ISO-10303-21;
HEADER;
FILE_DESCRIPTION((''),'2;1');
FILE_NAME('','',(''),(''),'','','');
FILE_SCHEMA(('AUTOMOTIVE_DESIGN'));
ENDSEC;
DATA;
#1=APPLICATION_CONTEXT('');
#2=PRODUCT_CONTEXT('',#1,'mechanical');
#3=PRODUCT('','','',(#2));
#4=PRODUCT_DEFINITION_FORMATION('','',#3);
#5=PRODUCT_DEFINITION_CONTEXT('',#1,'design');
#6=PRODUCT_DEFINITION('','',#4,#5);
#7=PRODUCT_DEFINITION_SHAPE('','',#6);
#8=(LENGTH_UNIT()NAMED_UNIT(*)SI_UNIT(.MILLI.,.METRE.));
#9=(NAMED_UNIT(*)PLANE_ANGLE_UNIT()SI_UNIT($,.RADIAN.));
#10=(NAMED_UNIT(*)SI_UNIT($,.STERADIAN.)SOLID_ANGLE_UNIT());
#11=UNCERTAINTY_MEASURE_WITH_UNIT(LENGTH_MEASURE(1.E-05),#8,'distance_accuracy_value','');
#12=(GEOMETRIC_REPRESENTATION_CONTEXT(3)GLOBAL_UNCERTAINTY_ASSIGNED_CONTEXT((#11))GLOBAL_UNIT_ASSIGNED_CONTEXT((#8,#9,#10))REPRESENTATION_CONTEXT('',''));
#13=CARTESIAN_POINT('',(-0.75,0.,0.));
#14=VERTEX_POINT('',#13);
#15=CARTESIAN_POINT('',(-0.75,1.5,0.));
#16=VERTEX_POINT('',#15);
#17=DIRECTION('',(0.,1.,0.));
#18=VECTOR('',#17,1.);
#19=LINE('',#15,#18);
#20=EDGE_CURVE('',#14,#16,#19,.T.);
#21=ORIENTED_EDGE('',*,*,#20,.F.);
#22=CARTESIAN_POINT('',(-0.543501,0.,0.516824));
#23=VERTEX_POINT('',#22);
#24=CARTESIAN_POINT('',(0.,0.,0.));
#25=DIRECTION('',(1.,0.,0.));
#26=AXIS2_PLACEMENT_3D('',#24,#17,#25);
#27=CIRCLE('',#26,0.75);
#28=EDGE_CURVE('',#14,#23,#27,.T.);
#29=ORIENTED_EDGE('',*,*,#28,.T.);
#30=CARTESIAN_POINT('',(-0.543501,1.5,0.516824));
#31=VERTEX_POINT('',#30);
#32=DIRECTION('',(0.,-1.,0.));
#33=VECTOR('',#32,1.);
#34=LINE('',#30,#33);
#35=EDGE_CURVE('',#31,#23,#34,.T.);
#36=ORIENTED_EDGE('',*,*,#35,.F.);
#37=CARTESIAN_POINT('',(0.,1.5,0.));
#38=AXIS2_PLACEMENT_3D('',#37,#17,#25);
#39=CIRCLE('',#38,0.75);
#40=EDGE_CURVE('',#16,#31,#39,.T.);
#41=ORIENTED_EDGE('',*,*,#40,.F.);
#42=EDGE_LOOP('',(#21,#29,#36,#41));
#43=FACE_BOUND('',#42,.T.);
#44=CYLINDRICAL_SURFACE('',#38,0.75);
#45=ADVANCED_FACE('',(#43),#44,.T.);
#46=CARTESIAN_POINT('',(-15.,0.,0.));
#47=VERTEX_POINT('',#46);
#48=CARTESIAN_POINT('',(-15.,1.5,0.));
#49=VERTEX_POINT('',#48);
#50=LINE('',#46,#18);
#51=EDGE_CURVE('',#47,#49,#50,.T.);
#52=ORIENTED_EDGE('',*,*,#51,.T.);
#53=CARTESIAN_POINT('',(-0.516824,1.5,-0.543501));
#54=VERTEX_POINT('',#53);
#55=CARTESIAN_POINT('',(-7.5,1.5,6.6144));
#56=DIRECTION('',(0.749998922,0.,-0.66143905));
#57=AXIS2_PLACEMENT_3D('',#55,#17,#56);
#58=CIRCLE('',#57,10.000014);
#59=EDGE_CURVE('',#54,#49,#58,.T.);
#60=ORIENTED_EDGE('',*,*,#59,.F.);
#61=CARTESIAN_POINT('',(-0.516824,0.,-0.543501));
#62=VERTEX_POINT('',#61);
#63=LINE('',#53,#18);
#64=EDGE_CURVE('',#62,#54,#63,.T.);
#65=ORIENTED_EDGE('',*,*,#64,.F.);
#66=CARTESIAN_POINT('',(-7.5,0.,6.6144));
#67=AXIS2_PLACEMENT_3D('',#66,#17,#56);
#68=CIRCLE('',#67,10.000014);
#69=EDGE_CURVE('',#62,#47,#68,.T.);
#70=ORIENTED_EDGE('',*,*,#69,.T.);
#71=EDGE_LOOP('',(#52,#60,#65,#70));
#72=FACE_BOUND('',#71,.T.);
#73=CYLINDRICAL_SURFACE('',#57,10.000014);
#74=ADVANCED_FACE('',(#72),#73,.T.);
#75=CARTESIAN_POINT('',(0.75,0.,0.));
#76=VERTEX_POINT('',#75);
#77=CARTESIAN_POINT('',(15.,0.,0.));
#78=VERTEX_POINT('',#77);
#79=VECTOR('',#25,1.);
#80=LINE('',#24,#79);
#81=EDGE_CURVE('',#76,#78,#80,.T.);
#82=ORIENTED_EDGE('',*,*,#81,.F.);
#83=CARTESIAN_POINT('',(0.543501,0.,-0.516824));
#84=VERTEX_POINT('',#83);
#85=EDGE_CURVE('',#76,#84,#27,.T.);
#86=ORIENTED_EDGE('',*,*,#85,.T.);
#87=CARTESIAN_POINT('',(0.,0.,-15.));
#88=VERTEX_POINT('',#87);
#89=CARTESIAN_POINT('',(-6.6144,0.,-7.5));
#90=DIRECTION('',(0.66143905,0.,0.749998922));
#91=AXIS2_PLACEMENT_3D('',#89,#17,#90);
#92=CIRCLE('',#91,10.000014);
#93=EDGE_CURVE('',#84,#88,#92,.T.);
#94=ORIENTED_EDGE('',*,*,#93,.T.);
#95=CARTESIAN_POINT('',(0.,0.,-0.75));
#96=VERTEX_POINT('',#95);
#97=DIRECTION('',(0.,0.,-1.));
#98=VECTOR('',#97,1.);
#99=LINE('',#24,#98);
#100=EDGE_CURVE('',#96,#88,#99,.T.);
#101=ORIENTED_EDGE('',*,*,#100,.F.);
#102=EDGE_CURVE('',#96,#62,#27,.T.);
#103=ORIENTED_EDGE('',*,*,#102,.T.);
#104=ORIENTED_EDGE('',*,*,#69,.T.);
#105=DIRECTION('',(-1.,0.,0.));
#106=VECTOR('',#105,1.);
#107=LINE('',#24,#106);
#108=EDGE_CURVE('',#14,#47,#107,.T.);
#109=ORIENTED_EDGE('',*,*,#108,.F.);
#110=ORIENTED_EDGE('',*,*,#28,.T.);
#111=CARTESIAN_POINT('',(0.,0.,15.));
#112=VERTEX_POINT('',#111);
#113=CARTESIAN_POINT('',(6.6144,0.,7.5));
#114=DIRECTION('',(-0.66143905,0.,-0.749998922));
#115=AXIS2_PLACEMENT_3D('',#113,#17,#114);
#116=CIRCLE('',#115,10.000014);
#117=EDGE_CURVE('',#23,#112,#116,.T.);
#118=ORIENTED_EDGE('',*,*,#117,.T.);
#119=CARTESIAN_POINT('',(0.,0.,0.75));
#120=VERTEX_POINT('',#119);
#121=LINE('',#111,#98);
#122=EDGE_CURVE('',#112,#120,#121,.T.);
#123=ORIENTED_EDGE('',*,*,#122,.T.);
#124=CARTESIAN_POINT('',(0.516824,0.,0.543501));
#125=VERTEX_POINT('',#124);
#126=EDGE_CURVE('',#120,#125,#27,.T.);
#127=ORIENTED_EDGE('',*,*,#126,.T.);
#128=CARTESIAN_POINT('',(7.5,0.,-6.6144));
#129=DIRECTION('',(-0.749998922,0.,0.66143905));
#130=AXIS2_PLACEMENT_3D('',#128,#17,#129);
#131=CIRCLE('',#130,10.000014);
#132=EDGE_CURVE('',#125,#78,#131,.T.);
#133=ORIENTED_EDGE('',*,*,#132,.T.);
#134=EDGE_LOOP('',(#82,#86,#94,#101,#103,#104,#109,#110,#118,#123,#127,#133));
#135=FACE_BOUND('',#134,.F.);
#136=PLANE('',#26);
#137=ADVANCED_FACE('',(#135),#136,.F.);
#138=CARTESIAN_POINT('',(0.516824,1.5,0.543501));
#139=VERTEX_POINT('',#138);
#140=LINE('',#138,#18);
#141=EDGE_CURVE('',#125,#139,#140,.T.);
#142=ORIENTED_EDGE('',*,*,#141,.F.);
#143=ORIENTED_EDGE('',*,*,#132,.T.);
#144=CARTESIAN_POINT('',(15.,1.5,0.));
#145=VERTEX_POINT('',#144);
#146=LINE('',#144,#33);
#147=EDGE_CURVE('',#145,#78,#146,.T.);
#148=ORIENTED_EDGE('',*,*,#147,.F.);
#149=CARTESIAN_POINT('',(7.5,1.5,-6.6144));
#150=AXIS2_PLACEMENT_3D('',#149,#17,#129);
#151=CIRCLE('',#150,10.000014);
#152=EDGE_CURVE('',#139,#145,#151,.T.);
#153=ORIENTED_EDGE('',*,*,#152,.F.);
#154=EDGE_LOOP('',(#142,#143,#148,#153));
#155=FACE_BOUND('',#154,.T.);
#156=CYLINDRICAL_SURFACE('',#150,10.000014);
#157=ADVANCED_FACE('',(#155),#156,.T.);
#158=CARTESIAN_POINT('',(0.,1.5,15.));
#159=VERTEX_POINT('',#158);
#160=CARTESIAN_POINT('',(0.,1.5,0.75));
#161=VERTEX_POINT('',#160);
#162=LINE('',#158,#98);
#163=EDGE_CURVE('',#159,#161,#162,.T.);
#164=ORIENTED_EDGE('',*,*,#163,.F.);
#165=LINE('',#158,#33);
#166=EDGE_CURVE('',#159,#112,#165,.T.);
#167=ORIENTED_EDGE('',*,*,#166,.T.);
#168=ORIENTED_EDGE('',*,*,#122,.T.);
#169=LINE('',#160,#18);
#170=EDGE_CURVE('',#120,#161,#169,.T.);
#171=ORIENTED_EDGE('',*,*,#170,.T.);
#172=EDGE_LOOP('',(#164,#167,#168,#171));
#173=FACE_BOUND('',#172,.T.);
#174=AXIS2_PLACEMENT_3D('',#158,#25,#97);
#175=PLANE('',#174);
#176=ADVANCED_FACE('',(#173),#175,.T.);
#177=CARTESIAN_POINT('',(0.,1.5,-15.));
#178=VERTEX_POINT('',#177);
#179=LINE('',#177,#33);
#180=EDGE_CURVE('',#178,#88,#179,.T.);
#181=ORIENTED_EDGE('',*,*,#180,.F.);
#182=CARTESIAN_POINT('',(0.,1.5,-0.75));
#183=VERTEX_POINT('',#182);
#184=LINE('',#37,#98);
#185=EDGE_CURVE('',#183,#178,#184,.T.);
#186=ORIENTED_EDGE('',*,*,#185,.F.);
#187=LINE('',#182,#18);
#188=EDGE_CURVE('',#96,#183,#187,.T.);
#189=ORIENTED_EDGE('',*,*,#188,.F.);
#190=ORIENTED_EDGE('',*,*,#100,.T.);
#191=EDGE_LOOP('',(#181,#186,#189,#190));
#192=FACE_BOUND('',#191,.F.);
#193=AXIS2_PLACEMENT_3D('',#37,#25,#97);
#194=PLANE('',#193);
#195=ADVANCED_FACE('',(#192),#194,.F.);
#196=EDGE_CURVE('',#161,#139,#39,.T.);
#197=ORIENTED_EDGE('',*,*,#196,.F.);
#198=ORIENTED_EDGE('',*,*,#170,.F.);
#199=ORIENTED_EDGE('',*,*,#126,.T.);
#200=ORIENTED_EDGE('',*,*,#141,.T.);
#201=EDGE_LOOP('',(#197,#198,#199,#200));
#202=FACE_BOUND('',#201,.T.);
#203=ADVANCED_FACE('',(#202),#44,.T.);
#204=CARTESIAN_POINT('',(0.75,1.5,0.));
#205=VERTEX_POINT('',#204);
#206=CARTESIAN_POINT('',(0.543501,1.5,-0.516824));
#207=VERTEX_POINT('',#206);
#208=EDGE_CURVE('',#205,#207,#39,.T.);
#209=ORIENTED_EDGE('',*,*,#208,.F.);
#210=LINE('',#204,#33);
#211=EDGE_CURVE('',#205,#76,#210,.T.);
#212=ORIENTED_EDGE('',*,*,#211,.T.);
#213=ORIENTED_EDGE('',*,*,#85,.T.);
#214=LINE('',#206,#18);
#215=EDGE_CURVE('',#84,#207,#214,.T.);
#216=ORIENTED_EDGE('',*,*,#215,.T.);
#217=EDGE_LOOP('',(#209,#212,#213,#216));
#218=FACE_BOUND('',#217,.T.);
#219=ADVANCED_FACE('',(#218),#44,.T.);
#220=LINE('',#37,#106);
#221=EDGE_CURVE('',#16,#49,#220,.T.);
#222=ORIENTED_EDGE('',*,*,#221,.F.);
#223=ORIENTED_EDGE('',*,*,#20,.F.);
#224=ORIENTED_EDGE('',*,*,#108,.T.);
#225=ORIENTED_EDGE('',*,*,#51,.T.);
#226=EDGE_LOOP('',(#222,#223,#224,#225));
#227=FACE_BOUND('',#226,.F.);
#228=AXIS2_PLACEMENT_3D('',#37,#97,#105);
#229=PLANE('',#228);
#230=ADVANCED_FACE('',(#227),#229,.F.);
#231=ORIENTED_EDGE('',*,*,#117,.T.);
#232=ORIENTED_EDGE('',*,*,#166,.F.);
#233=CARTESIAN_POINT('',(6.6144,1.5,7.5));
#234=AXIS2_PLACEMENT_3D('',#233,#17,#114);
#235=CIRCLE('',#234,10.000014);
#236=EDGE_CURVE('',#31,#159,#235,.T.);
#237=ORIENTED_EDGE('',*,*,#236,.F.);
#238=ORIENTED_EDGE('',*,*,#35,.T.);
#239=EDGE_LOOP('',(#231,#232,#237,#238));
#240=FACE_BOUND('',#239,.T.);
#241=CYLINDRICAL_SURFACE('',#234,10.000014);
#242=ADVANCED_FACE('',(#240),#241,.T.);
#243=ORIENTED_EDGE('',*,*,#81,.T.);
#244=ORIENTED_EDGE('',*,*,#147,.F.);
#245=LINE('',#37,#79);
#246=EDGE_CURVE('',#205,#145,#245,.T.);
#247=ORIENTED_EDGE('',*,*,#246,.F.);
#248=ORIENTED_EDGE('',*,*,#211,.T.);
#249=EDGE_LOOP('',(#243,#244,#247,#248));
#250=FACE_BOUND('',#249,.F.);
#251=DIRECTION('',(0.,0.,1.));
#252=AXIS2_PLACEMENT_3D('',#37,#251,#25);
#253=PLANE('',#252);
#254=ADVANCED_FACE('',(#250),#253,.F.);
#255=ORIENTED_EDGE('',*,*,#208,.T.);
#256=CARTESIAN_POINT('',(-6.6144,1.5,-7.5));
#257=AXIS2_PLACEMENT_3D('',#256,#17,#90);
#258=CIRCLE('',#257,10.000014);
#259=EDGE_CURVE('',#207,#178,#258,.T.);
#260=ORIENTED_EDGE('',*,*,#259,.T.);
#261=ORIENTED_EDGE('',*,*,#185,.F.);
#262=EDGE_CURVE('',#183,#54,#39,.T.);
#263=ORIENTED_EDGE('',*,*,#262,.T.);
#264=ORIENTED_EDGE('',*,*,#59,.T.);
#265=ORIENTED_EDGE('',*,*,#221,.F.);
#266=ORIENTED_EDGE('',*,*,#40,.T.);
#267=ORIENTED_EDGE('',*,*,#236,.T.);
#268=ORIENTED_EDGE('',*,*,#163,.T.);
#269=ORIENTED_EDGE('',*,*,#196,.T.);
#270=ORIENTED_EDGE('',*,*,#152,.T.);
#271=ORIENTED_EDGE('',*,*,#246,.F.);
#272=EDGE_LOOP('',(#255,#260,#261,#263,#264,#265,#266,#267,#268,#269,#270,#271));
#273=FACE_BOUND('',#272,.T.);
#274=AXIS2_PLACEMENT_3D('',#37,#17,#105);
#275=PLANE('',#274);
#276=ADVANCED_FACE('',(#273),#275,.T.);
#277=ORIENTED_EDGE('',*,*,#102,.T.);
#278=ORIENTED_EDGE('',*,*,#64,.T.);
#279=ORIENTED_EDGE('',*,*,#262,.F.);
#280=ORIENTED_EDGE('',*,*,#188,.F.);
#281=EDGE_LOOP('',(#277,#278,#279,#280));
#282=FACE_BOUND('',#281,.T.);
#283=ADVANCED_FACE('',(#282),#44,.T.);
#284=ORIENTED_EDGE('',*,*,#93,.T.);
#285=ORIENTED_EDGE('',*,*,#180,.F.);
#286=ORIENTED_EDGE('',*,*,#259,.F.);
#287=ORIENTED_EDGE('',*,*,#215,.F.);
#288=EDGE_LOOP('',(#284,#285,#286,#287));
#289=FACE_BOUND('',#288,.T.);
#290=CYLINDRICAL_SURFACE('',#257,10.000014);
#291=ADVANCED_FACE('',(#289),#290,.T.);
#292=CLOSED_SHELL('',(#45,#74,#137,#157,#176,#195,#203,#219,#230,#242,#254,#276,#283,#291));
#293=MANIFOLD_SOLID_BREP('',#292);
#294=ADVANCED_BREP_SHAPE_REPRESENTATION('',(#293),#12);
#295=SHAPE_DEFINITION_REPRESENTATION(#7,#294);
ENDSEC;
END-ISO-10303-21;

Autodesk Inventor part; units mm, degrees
ref_plane "YZ Plane" through (0, 0, 0) normal (1, 0, 0) x (0, 1, 0)
ref_plane "XZ Plane" through (0, 0, 0) normal (0, 1, 0) x (-1, 0, 0)
ref_plane "XY Plane" through (0, 0, 0) normal (0, 0, 1) x (1, 0, 0)
sketch "스케치6" plane through (0, 0, 0) normal (0, 1, 0) x (-1, 0, 0)
  circle A0 centre (0, 0) radius 15
  dimension "d16" = 30
extrude "돌출4" add sketch "스케치6" along normal blind 1.5
sketch "스케치7" plane through (0, 1.5, 0) normal (0, 1, 0) x (1, 0, 0)
  circle A0 centre (0, 0) radius 15 projected
  arc A1 (0, 0) -> (-15, 0) centre (-7.5, -6.6144) ccw
  arc A2 (0, 0) -> (0, 15) centre (-6.6144, 7.5) ccw
  arc A3 (0, 0) -> (15, 0) centre (7.5, 6.6144) ccw
  arc A4 (0, 0) -> (0, -15) centre (6.6144, -7.5) ccw
  line L0 (0, -15) -> (0, 0)
  line L1 (0, 0) -> (15, 0)
  line L2 (0, 0) -> (0, 15)
  line L3 (0, 0) -> (-15, 0)
  arc A5 (-15, 0) -> (0, -15) centre (0, 0) ccw
  arc A6 (0, -15) -> (15, 0) centre (0, 0) ccw
  arc A7 (15, 0) -> (0, 15) centre (0, 0) ccw
  arc A8 (0, 15) -> (-15, 0) centre (0, 0) ccw
  point P0 (0, -15)
  point P1 (0, -15)
  dimension "d19" = 10
  dimension "d20" = 10
  dimension "d21" = 10
  dimension "d22" = 10
  dimension "d23" = 15
  dimension "d24" = 15
extrude "돌출5" cut sketch "스케치7" against normal blind 1.5 contours L1 A2 A0 | A0 L0 A3 | L2 A1 A0 | A0 L3 A4
sketch "스케치8" plane through (0, 1.5, 0) normal (0, 1, 0) x (1, 0, 0)
  arc A0 (0, 0) -> (0, -15) centre (6.6144, -7.5) ccw projected
  circle A1 centre (0, 0) radius 0.75
  dimension "d27" = 1.5
extrude "돌출6" add sketch "스케치8" against normal blind 1.5
sketch "스케치9" plane through (0, 1.5, 0) normal (0, 1, 0) x (1, 0, 0)
  point P0 (0, 0)
properties part number "fan_num4_1"
